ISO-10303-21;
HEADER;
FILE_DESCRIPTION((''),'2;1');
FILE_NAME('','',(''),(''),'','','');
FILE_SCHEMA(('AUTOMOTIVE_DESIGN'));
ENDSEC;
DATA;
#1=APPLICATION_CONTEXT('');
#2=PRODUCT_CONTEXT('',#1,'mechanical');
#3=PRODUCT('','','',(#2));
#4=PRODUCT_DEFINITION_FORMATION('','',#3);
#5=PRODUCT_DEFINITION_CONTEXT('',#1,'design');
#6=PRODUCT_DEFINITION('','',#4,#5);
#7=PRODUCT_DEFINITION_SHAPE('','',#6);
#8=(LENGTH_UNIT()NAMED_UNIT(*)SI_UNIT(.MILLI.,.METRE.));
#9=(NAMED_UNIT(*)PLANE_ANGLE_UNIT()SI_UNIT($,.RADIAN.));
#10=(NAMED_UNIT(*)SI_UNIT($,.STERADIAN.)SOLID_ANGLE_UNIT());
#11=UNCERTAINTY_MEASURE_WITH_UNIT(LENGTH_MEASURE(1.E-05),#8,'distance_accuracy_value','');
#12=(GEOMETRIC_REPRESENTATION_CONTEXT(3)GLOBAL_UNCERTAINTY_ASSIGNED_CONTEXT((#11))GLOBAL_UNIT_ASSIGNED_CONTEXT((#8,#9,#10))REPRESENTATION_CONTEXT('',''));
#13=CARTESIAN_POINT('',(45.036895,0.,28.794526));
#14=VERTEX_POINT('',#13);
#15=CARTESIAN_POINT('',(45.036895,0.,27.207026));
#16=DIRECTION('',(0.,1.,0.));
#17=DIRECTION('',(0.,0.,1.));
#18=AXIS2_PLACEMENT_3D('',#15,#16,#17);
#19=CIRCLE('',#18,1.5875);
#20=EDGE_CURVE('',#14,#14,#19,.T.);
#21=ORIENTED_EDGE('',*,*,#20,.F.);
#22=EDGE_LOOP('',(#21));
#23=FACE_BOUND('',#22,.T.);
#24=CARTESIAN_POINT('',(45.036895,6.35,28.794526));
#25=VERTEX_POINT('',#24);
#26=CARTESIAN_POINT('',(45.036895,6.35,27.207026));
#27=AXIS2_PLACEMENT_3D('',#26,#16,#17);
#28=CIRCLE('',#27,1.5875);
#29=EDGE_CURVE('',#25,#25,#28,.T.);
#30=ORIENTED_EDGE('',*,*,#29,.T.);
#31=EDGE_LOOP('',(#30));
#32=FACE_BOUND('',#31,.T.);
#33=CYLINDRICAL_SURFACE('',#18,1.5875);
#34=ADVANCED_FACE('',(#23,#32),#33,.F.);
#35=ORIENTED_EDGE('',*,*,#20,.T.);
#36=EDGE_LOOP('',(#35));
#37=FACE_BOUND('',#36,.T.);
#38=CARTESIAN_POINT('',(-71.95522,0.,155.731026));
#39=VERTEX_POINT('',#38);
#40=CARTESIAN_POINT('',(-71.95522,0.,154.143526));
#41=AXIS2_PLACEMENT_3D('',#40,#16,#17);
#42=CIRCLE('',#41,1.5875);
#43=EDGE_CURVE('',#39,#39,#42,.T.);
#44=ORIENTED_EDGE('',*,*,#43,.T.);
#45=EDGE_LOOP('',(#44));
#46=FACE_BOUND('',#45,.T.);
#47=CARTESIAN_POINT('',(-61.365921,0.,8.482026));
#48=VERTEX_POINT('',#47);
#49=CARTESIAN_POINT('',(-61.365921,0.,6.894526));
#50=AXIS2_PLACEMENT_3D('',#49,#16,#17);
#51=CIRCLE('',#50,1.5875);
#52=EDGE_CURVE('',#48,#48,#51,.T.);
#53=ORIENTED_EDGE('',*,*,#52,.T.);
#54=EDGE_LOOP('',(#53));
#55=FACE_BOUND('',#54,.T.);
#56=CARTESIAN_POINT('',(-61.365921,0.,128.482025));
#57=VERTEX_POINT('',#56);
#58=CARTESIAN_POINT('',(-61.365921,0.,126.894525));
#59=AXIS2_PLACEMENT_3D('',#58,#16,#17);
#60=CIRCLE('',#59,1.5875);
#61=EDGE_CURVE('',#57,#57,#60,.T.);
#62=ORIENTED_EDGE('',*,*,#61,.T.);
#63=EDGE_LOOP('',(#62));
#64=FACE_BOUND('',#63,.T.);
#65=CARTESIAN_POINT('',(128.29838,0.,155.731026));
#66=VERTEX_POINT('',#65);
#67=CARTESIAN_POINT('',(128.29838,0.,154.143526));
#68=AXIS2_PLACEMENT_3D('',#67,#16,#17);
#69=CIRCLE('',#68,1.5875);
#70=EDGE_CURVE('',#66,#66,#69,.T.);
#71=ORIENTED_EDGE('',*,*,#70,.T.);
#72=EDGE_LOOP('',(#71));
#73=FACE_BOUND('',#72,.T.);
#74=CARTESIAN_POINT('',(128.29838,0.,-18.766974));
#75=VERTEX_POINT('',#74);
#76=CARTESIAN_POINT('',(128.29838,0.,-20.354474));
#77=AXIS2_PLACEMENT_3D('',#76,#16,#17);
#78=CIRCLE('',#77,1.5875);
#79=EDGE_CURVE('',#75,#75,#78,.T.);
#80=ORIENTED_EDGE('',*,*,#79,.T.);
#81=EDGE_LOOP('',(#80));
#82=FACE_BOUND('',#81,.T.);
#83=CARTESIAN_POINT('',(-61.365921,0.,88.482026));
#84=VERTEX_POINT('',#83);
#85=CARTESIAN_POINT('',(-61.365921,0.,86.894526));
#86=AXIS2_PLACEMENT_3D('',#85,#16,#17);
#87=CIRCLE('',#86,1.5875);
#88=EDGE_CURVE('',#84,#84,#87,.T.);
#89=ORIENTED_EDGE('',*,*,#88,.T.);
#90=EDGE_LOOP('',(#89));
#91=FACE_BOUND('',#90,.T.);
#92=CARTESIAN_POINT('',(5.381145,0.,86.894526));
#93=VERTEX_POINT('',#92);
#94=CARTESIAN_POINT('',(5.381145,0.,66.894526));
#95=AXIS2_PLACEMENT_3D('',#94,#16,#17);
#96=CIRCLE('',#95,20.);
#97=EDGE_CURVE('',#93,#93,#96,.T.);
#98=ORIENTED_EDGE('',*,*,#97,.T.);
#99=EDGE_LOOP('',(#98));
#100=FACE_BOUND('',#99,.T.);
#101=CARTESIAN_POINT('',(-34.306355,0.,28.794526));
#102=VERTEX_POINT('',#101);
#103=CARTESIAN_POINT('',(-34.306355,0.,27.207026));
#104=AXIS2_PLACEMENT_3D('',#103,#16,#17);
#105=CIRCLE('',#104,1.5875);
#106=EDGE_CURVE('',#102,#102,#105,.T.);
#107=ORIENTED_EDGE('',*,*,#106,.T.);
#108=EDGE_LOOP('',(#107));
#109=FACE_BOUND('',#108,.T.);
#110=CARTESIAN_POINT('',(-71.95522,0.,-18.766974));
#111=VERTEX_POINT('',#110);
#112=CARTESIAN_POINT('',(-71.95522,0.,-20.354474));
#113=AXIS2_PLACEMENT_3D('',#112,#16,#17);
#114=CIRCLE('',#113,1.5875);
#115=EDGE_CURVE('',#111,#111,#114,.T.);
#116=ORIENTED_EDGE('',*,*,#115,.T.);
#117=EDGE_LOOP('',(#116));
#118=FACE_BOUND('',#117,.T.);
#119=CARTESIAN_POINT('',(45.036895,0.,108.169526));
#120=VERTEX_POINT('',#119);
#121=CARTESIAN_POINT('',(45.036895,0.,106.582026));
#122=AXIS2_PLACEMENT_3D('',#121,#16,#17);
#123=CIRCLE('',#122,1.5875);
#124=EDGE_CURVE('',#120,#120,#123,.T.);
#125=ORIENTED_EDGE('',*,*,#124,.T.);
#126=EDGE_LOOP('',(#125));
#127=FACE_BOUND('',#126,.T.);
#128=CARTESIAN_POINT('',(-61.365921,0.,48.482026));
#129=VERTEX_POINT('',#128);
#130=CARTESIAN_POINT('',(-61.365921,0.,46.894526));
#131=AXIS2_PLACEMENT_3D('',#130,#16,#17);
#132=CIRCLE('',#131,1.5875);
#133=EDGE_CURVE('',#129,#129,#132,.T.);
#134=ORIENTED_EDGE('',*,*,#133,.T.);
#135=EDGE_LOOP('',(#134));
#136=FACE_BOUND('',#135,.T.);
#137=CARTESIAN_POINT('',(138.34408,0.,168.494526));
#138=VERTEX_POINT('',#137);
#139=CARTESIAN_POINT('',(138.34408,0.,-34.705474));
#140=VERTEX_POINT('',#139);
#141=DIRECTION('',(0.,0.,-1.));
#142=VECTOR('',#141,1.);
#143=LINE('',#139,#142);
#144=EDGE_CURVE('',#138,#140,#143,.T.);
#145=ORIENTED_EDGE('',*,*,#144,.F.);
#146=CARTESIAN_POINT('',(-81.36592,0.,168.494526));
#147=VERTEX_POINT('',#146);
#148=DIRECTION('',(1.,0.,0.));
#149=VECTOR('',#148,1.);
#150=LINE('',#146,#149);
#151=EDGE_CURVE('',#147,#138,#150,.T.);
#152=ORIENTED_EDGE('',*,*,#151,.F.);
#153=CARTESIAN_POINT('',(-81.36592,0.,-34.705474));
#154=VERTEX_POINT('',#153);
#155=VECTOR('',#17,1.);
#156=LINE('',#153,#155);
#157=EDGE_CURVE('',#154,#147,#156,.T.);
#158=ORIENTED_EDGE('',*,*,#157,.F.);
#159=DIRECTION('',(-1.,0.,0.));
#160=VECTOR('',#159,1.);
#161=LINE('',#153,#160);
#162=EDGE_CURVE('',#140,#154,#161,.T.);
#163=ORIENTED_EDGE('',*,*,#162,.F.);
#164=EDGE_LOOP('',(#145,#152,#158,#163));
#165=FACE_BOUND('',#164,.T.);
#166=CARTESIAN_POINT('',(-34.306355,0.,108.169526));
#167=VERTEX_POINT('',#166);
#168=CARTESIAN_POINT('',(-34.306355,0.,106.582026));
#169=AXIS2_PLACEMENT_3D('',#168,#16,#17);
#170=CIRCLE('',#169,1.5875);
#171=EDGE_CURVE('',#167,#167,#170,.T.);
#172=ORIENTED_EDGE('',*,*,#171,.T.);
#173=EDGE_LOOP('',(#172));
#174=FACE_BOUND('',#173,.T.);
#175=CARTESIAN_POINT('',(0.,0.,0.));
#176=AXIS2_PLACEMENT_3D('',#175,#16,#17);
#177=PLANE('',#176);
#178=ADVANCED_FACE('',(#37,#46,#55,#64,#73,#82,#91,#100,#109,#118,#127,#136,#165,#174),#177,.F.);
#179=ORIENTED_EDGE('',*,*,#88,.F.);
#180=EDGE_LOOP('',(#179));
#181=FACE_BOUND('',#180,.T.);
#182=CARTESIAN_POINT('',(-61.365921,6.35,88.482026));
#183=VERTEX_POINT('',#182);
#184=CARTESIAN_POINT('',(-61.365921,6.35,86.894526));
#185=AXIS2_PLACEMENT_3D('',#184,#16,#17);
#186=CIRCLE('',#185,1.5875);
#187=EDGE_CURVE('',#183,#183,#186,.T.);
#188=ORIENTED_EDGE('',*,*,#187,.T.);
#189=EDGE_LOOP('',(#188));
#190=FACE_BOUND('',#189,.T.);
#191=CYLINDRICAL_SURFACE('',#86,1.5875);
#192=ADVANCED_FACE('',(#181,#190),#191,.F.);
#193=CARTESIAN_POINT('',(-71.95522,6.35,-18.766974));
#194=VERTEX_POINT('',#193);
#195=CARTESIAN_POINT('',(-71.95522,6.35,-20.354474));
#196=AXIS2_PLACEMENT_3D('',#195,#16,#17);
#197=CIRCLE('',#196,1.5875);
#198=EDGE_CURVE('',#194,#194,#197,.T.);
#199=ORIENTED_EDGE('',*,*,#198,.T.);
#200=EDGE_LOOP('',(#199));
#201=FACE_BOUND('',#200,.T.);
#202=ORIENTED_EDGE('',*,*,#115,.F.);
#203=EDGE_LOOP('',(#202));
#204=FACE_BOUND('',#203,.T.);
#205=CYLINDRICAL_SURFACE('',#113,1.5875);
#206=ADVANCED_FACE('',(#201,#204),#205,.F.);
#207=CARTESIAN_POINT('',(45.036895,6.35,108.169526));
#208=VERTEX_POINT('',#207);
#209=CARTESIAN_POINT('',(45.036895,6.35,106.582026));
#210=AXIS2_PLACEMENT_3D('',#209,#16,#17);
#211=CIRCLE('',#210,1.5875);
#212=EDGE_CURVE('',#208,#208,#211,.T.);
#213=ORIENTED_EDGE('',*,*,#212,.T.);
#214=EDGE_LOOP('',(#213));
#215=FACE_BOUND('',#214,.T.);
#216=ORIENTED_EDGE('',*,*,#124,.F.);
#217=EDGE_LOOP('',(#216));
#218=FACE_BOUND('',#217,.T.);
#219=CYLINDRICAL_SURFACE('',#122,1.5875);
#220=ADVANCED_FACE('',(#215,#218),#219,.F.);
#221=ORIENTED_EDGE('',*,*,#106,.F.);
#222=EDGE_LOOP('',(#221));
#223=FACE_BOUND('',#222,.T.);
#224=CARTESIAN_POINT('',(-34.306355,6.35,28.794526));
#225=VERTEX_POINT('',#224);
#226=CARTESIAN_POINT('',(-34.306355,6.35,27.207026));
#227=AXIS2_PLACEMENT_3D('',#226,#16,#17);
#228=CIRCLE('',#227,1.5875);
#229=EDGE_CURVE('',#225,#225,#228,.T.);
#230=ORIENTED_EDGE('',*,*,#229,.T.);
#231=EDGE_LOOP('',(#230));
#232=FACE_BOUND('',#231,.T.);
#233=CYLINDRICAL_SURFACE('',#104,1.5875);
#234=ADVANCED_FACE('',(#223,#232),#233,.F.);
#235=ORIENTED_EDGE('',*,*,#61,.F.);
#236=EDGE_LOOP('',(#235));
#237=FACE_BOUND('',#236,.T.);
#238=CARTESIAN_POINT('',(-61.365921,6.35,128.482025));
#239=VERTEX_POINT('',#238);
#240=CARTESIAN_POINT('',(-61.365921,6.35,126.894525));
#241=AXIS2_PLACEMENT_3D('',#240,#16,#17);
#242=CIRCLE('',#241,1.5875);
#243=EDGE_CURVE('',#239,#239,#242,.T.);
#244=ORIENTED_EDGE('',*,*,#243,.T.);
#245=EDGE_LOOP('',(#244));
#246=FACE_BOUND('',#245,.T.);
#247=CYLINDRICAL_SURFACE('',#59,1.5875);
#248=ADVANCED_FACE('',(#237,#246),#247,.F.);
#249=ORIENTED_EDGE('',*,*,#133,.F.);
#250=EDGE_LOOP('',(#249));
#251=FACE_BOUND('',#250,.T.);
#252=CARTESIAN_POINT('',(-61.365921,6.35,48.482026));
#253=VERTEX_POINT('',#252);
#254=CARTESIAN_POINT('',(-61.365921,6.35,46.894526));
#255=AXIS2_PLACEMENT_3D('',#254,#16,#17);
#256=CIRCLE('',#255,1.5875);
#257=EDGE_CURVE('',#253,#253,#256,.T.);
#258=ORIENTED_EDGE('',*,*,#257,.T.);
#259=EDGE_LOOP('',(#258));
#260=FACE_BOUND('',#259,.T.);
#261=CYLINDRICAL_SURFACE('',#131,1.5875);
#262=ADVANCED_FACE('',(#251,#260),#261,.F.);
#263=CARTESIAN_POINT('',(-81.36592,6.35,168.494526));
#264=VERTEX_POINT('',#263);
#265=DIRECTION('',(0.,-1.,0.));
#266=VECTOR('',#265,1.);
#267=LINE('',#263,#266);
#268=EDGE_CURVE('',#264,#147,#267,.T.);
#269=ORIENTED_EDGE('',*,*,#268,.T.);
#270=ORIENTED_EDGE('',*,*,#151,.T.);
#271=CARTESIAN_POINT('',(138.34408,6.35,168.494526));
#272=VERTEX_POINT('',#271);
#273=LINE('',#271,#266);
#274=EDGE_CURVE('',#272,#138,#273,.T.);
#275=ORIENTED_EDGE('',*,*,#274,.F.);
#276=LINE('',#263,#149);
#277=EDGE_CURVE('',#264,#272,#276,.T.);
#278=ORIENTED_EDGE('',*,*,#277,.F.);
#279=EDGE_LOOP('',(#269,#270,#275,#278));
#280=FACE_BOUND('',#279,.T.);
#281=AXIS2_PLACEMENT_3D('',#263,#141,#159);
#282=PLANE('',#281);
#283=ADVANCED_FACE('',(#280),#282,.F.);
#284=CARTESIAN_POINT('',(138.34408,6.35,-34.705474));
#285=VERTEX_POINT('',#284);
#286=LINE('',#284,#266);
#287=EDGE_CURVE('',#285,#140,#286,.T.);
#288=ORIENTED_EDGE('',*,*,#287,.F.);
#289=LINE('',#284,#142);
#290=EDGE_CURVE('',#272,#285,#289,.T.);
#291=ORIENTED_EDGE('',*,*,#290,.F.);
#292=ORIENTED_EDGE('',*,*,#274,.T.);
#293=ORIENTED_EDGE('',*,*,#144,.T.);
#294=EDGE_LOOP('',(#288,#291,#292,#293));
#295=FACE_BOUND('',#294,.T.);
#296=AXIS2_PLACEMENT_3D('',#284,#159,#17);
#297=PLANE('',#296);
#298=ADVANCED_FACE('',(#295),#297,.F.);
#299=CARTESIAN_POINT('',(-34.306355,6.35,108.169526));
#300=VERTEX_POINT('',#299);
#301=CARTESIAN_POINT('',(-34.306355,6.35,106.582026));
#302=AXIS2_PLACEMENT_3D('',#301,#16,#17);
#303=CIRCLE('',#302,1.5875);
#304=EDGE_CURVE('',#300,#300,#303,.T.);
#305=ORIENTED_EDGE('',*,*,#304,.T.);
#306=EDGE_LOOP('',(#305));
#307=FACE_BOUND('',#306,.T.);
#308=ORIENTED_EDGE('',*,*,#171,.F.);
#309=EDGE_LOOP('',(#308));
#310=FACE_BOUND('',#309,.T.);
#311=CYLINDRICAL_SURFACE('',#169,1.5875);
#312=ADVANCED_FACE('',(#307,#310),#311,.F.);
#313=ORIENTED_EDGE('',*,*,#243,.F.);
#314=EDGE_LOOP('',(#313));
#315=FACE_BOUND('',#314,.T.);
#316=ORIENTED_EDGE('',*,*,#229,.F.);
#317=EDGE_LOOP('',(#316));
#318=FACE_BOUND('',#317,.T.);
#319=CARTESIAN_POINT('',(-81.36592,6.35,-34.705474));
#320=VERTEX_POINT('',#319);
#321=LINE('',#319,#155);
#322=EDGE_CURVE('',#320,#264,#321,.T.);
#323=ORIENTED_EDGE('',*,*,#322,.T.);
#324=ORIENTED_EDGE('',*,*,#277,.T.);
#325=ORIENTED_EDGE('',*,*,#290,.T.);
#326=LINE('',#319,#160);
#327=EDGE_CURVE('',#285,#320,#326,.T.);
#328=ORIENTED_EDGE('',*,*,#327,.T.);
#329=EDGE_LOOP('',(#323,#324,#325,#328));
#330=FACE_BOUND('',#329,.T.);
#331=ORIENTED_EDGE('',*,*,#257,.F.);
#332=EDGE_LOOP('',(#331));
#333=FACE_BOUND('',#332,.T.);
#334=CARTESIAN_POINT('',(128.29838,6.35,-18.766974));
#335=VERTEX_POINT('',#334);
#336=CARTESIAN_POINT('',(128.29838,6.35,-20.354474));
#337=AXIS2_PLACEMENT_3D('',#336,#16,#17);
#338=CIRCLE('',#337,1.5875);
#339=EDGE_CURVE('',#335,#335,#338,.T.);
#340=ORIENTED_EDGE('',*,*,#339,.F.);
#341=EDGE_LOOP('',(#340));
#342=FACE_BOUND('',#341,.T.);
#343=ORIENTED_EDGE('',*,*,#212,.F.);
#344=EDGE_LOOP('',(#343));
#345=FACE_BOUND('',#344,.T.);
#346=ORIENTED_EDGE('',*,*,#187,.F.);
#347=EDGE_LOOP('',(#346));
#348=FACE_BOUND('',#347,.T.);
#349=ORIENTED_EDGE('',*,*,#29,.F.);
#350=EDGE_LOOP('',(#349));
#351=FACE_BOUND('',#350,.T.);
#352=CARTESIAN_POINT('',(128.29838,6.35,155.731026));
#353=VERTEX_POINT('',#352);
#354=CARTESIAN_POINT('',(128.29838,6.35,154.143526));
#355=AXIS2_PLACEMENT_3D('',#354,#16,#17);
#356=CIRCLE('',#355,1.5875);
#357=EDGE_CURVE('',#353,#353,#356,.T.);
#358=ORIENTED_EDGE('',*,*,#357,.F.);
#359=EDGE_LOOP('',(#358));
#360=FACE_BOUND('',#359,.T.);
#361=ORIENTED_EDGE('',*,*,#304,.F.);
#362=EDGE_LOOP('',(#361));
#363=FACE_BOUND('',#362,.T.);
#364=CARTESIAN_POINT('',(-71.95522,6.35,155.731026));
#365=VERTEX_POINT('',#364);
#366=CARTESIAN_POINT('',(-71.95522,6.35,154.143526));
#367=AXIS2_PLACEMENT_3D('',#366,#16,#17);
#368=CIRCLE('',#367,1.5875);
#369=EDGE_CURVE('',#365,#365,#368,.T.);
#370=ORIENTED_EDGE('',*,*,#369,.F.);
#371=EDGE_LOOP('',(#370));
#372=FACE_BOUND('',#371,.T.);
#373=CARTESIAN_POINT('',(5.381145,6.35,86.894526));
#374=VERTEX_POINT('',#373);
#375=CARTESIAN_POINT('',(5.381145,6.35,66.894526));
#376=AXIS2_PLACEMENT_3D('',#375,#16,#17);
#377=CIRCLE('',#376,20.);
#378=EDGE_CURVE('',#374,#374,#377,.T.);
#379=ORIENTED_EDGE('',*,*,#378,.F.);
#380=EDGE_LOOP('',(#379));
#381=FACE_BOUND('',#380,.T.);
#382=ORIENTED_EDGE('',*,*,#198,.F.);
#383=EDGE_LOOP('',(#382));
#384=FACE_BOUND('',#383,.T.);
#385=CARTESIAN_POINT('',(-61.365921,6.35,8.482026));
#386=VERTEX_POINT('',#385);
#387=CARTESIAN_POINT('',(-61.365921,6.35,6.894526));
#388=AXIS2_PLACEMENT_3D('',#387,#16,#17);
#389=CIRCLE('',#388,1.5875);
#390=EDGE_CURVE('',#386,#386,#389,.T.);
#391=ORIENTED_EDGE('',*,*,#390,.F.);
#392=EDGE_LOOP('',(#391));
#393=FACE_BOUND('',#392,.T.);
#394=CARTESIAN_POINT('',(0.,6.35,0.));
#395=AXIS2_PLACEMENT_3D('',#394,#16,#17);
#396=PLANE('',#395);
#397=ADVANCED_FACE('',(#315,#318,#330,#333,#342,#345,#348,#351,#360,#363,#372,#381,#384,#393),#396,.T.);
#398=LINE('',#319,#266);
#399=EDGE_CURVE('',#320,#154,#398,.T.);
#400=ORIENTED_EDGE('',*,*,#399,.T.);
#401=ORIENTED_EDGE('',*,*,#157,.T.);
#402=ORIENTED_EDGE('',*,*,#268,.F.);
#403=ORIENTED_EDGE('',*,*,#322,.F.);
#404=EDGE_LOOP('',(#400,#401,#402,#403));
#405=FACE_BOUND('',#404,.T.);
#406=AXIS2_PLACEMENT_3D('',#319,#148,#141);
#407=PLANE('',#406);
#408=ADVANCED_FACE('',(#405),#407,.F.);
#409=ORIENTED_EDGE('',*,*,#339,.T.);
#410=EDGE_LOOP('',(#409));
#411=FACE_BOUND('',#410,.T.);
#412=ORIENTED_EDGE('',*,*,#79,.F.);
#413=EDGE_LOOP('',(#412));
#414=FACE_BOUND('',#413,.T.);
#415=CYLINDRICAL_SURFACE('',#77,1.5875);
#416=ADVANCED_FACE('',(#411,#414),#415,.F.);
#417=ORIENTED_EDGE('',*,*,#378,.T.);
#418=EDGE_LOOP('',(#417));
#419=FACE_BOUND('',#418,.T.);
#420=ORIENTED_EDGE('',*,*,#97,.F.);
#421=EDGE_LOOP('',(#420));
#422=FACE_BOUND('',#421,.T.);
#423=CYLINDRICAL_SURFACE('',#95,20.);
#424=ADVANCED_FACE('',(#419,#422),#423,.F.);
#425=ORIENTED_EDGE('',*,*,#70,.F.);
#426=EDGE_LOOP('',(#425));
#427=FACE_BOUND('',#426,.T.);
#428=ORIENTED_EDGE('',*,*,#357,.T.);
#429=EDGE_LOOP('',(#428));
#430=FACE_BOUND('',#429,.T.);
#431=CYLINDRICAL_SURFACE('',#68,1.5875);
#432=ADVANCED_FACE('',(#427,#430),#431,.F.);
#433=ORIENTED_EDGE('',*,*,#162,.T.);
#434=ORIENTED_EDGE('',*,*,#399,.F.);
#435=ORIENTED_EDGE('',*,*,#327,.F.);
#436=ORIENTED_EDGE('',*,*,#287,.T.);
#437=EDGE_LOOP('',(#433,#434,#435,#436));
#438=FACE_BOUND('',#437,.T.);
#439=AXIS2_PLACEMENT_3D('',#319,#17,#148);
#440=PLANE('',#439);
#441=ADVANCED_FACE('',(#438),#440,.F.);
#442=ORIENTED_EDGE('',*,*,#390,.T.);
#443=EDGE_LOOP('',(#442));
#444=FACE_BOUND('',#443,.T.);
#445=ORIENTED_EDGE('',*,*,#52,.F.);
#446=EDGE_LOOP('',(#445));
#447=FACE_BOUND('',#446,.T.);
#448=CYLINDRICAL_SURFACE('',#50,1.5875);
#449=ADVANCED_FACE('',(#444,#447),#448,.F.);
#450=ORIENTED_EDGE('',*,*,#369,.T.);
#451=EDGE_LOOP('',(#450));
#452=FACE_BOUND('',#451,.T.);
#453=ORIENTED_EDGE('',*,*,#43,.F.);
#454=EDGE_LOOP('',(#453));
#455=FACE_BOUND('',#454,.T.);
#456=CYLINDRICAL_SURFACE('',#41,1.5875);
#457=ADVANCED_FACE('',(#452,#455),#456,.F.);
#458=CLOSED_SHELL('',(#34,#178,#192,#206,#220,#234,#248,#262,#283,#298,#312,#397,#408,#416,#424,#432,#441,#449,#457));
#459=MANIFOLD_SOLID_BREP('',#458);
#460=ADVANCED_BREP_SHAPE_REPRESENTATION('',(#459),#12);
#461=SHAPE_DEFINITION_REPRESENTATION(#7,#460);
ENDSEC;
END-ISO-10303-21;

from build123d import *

# Parameters (mm, degrees)
SKETCH1_W           = 219.71
SKETCH1_H           = 203.2
BOSS_EXTRUDE1_DEPTH = 6.35
SKETCH2_R           = 1.5875
SKETCH2_R_2         = 20.000000005
CUT_EXTRUDE3_DEPTH  = 7.35


with BuildPart() as part:
    # Sketch1 → Boss-Extrude1 (new body)
    with BuildSketch(Plane(origin=(0, 0, 0), x_dir=(1, 0, 0), z_dir=(0, 1, 0))):
        with Locations((28.489079589, -66.894525566)):
            Rectangle(SKETCH1_W, SKETCH1_H)
    extrude(amount=BOSS_EXTRUDE1_DEPTH)

    # Sketch2 → Cut-Extrude3 (cut, through all)
    with BuildSketch(Plane(origin=(0, 6.35, 0), x_dir=(1, 0, 0), z_dir=(0, 1, 0))):
        with Locations((-61.365920533, -46.894525561)):
            Circle(SKETCH2_R)
        with Locations((128.298379589, -154.143525566)):
            Circle(SKETCH2_R)
        with Locations((128.298379589, 20.354474434)):
            Circle(SKETCH2_R)
        with Locations((-71.955220411, 20.354474434)):
            Circle(SKETCH2_R)
        with Locations((-71.955220411, -154.143525566)):
            Circle(SKETCH2_R)
        with Locations((-61.365920533, -6.894525551)):
            Circle(SKETCH2_R)
        with Locations((-61.365920533, -86.894525571)):
            Circle(SKETCH2_R)
        with Locations((-61.365920533, -126.894525327)):
            Circle(SKETCH2_R)
        with Locations((5.381145499, -66.894525566)):
            Circle(SKETCH2_R_2)
        with Locations((45.036895499, -106.582025566)):
            Circle(SKETCH2_R)
        with Locations((-34.306354501, -106.582025566)):
            Circle(SKETCH2_R)
        with Locations((-34.306354501, -27.207025566)):
            Circle(SKETCH2_R)
        with Locations((45.036895499, -27.207025566)):
            Circle(SKETCH2_R)
    extrude(amount=-CUT_EXTRUDE3_DEPTH, mode=Mode.SUBTRACT)


solid = part.part
